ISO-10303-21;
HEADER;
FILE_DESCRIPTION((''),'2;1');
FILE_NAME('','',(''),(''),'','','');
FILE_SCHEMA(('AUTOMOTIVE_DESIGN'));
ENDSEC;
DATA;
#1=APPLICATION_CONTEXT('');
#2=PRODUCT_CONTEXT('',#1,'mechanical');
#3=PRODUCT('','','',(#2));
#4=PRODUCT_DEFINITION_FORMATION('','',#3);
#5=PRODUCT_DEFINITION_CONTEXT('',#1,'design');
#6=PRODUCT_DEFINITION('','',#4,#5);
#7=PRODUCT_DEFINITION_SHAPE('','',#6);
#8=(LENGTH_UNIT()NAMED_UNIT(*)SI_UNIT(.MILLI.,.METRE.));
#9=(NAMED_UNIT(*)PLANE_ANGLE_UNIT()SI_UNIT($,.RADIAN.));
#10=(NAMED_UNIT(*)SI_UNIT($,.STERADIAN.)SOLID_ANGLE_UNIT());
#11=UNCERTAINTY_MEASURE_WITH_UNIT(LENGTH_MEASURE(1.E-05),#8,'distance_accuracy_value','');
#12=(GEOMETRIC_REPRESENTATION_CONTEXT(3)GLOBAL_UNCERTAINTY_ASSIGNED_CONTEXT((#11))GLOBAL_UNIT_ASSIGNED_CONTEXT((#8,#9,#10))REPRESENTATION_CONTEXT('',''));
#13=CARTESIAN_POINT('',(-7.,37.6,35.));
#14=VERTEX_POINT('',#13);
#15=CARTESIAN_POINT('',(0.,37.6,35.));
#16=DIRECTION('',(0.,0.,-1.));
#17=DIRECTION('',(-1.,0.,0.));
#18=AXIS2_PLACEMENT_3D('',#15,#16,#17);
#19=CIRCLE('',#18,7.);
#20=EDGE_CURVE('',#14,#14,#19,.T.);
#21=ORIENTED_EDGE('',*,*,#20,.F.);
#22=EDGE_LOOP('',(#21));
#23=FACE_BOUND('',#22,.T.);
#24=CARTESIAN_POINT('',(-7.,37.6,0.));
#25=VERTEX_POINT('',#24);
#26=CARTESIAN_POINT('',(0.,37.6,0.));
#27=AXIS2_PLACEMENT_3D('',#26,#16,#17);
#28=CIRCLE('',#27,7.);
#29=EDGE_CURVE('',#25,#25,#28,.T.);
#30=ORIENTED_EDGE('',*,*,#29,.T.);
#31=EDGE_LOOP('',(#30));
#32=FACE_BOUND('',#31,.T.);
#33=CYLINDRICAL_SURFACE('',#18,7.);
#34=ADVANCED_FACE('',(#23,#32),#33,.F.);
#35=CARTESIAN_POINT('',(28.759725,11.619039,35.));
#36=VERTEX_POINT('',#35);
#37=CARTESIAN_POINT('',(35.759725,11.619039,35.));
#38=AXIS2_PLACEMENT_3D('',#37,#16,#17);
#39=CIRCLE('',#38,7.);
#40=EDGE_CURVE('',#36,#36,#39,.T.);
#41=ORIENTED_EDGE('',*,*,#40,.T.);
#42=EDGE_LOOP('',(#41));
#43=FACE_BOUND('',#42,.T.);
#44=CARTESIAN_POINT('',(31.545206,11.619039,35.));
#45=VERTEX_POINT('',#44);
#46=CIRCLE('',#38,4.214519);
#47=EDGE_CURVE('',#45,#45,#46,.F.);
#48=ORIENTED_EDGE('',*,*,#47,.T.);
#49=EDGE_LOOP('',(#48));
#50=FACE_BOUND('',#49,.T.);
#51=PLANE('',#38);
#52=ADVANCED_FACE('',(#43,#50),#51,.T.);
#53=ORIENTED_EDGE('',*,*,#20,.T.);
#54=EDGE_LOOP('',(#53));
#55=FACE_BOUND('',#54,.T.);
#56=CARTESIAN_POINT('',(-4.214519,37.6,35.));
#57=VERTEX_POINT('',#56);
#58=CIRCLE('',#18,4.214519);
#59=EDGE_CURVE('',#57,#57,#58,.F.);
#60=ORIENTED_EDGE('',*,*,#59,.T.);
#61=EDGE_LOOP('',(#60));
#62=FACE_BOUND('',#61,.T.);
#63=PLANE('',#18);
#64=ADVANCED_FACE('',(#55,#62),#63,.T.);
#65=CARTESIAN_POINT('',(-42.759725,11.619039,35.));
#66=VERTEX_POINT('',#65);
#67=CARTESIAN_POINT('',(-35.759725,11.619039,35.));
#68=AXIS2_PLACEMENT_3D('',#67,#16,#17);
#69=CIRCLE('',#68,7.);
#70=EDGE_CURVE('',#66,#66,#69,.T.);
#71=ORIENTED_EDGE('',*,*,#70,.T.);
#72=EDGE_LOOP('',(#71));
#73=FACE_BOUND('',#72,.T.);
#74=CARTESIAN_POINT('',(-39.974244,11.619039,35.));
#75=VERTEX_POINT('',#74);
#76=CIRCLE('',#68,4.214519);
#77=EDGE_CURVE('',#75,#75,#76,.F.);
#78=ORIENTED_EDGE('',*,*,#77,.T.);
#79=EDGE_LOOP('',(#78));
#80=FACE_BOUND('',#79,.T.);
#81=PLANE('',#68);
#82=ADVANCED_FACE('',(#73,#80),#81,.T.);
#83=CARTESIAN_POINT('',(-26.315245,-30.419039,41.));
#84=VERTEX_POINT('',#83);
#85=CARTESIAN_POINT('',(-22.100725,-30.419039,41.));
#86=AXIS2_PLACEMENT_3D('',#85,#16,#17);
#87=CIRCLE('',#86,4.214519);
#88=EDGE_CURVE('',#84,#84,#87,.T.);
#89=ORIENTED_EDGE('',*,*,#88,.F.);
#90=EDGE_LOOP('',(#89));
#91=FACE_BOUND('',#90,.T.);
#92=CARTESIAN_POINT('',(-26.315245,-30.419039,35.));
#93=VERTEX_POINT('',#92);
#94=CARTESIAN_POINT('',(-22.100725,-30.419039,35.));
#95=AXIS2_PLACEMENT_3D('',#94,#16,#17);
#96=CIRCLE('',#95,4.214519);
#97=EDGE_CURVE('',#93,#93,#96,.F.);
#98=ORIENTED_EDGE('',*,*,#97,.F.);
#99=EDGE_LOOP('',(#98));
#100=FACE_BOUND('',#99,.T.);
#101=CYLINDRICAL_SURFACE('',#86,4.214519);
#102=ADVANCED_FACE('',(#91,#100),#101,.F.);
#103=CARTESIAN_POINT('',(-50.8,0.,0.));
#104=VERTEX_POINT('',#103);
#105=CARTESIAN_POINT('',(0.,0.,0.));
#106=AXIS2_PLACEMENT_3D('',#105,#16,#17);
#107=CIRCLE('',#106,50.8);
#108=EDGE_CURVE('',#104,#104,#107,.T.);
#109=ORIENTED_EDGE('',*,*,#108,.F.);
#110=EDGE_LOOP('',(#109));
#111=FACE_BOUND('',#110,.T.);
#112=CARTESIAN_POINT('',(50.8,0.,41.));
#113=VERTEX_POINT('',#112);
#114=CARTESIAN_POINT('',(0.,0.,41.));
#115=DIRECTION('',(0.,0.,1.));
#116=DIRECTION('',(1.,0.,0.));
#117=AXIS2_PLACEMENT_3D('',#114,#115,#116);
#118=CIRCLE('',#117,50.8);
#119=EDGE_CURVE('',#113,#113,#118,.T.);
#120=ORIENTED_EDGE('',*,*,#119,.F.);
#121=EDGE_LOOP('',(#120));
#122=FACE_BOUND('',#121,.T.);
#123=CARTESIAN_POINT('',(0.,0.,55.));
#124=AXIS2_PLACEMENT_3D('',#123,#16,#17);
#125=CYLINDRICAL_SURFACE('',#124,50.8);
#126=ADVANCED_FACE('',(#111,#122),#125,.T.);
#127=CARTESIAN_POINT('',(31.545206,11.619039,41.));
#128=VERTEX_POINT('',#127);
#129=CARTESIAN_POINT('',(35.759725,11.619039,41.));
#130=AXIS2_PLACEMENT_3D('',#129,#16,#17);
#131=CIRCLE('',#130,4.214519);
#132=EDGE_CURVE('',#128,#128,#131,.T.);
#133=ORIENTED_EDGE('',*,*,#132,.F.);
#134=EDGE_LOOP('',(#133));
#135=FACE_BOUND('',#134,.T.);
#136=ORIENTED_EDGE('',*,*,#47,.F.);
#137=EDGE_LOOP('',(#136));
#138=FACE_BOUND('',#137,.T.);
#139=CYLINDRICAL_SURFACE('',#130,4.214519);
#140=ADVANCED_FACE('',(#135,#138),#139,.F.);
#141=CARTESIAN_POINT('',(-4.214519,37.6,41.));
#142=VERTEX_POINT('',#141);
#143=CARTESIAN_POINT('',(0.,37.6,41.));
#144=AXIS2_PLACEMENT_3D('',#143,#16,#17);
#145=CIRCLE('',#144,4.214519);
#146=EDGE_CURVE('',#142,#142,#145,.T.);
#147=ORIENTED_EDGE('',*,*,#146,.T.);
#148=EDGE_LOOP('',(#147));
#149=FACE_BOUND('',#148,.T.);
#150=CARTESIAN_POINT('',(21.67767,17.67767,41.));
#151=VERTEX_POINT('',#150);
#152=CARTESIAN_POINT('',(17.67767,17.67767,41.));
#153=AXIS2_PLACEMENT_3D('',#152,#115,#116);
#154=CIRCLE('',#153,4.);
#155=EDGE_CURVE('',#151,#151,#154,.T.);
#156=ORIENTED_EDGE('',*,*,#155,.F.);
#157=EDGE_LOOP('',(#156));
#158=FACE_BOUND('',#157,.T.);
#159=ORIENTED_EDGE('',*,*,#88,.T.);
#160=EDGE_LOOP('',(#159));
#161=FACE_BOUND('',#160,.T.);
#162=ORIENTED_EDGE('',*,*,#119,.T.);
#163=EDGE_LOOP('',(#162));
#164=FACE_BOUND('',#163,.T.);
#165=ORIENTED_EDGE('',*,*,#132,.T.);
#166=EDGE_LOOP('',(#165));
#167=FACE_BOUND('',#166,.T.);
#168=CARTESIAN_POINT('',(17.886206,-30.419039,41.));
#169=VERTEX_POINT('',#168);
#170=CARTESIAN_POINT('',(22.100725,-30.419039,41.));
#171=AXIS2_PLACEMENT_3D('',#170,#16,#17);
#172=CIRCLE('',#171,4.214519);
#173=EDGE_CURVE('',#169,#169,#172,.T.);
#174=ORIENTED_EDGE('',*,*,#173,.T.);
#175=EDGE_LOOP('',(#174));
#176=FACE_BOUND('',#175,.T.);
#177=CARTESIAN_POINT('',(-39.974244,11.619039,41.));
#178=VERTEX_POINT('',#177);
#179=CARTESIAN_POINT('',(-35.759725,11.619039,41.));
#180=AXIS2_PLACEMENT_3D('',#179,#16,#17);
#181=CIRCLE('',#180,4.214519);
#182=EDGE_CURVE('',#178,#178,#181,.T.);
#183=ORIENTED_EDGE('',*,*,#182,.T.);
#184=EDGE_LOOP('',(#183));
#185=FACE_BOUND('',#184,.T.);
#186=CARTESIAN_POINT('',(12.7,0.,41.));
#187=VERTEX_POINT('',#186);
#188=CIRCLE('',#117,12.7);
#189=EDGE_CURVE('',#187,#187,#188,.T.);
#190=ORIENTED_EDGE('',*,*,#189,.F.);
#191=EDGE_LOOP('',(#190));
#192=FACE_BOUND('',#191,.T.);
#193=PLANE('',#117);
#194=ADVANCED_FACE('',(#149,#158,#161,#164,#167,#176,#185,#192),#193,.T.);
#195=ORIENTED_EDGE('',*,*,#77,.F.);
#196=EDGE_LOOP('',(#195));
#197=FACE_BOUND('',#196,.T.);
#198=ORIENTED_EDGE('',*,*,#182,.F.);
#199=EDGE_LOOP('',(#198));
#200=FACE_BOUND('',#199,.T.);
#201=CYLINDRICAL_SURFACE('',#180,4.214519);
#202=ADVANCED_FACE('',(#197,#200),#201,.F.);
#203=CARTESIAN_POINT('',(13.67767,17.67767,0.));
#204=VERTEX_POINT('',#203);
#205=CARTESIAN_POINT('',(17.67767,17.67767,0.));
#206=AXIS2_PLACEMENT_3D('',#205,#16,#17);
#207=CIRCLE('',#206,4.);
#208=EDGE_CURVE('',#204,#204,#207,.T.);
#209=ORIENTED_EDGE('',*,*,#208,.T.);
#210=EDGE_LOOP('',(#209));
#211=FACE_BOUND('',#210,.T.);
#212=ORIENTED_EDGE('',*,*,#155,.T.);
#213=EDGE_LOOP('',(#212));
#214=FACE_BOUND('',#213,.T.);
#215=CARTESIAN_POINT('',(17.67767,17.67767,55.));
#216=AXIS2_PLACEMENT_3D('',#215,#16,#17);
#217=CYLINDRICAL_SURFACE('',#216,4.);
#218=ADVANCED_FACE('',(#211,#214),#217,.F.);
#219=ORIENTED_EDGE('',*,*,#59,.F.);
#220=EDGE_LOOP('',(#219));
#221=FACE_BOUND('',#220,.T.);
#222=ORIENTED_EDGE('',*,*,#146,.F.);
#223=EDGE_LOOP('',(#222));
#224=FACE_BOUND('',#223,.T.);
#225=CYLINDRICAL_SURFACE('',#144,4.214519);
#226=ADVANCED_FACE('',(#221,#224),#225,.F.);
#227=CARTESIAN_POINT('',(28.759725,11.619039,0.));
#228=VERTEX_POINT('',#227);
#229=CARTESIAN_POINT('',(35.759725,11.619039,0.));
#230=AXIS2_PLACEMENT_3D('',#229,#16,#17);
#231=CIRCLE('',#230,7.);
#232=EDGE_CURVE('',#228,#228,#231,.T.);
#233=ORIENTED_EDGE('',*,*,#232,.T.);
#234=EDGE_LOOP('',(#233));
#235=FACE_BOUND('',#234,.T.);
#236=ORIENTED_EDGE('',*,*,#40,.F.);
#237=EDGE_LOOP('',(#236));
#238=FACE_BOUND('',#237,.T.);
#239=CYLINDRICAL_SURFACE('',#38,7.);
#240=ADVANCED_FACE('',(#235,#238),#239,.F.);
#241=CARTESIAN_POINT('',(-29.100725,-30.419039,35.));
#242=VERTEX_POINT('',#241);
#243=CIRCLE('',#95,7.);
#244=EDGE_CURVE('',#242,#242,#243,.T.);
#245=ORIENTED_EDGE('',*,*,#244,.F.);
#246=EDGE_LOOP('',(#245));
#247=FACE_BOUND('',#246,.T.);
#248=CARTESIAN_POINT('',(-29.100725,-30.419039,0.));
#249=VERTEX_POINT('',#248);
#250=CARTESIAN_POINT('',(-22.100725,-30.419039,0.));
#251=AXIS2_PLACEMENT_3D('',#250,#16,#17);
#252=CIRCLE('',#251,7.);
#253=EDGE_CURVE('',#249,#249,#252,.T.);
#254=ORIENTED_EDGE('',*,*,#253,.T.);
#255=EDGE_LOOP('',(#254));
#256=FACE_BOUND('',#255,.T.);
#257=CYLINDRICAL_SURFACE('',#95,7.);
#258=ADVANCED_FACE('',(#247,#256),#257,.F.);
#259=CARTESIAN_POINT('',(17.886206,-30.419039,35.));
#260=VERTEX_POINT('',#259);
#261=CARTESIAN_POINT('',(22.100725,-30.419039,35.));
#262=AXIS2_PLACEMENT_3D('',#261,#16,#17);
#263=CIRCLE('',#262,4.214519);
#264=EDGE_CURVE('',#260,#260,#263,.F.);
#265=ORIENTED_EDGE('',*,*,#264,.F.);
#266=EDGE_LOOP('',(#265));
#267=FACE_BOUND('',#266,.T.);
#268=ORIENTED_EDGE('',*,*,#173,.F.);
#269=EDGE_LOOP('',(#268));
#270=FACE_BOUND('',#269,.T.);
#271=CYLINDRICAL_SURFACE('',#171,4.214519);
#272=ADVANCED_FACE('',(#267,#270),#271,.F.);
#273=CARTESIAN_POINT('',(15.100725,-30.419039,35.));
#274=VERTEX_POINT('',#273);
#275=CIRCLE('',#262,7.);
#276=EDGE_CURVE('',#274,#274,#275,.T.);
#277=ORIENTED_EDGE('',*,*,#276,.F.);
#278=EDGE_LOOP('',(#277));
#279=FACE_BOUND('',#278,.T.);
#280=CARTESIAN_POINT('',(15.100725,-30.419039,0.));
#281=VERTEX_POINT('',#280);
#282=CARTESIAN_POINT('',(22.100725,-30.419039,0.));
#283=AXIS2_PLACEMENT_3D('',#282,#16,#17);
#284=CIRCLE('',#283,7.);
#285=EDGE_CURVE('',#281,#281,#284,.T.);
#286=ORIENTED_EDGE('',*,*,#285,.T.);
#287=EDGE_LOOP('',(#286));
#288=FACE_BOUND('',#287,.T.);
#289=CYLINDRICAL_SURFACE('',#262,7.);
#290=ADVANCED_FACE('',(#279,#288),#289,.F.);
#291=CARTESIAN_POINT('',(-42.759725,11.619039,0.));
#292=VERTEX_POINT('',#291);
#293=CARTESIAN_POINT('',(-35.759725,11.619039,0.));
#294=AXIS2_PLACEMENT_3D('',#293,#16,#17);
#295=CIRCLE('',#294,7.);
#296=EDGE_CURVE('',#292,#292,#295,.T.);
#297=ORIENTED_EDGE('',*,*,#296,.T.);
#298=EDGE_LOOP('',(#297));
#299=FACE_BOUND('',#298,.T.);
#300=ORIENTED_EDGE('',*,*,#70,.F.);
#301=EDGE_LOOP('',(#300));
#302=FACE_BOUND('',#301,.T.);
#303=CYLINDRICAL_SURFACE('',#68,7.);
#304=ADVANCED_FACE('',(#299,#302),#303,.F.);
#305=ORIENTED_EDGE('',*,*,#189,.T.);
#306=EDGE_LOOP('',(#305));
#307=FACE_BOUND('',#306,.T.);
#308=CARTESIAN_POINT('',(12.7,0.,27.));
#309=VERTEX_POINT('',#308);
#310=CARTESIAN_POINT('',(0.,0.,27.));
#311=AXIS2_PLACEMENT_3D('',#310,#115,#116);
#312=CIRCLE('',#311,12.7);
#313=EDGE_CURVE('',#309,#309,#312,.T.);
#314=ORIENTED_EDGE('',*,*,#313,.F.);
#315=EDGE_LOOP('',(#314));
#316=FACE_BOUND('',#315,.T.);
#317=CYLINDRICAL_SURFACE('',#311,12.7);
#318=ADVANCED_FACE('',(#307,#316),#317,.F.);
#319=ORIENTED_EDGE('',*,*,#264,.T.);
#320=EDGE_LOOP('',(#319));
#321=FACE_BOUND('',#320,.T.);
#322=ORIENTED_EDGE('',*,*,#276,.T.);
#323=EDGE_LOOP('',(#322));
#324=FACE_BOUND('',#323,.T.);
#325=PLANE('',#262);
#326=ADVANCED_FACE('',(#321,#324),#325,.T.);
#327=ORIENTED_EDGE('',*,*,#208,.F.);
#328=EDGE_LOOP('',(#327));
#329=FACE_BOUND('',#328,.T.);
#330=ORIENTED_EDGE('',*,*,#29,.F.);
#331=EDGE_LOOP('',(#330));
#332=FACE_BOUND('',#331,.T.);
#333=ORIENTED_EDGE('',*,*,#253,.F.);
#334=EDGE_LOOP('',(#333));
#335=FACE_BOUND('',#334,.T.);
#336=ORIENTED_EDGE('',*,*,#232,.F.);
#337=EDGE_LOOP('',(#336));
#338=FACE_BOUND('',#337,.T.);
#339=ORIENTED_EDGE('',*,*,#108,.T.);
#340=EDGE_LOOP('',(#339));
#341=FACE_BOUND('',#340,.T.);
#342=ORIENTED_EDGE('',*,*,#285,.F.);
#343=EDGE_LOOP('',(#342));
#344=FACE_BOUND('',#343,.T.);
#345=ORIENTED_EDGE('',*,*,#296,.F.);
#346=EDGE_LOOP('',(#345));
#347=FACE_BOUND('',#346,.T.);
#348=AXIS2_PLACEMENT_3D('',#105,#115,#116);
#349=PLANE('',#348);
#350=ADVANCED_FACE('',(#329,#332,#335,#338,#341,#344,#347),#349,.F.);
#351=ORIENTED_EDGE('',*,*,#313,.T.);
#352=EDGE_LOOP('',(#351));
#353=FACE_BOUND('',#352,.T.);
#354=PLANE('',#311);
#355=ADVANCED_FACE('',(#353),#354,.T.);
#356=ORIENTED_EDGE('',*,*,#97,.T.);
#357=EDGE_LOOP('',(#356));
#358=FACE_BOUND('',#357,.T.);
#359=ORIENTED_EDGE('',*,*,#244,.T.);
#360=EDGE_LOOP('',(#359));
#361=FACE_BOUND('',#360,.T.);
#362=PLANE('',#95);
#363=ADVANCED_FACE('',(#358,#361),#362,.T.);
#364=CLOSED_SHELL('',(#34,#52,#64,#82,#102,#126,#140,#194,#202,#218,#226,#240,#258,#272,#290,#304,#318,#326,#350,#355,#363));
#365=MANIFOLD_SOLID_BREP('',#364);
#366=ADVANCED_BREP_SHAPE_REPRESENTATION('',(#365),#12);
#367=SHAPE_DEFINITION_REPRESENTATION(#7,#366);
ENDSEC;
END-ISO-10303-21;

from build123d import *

# Parameters (mm, degrees)
SKETCH1_W           = 119
SKETCH1_H           = 114
BOSS_EXTRUDE1_DEPTH = 41
SKETCH4_R           = 4.214519236
CUT_EXTRUDE1_DEPTH  = 41
SKETCH7_R           = 7
CUT_EXTRUDE2_DEPTH  = 35
SKETCH8_R           = 4
CUT_EXTRUDE3_DEPTH  = 55
SKETCH9_R           = 12.7
CUT_EXTRUDE4_DEPTH  = 14
SKETCH10_OUTSIDE_W  = 154.964
SKETCH10_OUTSIDE_H  = 149.964
SKETCH10_OUTSIDE_R  = 50.8
CUT_EXTRUDE5_DEPTH  = 55


with BuildPart() as part:
    # Sketch1 → Boss-Extrude1 (new body)
    with BuildSketch(Plane.XY):
        Rectangle(SKETCH1_W, SKETCH1_H)
    extrude(amount=BOSS_EXTRUDE1_DEPTH)

    # Sketch4 → Cut-Extrude1 (cut)
    with BuildSketch(Plane(origin=(0, 0, 0), x_dir=(-1, 0, 0), z_dir=(0, 0, -1))):
        with Locations((0, 37.6)):
            Circle(SKETCH4_R)
        with Locations((35.759725013, 11.619038988)):
            Circle(SKETCH4_R)
        with Locations((22.100725486, -30.419038988)):
            Circle(SKETCH4_R)
        with Locations((-22.100725486, -30.419038988)):
            Circle(SKETCH4_R)
        with Locations((-35.759725013, 11.619038988)):
            Circle(SKETCH4_R)
    extrude(amount=-CUT_EXTRUDE1_DEPTH, mode=Mode.SUBTRACT)

    # Sketch7 → Cut-Extrude2 (cut)
    with BuildSketch(Plane(origin=(0, 0, 0), x_dir=(-1, 0, 0), z_dir=(0, 0, -1))):
        with Locations((0, 37.6)):
            Circle(SKETCH7_R)
        with Locations((35.759725013, 11.619038988)):
            Circle(SKETCH7_R)
        with Locations((22.100725486, -30.419038988)):
            Circle(SKETCH7_R)
        with Locations((-22.100725486, -30.419038988)):
            Circle(SKETCH7_R)
        with Locations((-35.759725013, 11.619038988)):
            Circle(SKETCH7_R)
    extrude(amount=-CUT_EXTRUDE2_DEPTH, mode=Mode.SUBTRACT)

    # Sketch8 → Cut-Extrude3 (cut)
    with BuildSketch(Plane(origin=(0, 0, 0), x_dir=(-1, 0, 0), z_dir=(0, 0, -1))):
        with Locations((-17.67766953, 17.67766953)):
            Circle(SKETCH8_R)
    extrude(amount=-CUT_EXTRUDE3_DEPTH, mode=Mode.SUBTRACT)

    # Sketch9 → Cut-Extrude4 (cut)
    with BuildSketch(Plane.XY.offset(41)):
        Circle(SKETCH9_R)
    extrude(amount=-CUT_EXTRUDE4_DEPTH, mode=Mode.SUBTRACT)

    # Sketch10 outside → Cut-Extrude5 (cut)
    with BuildSketch(Plane(origin=(0, 0, 0), x_dir=(-1, 0, 0), z_dir=(0, 0, -1))):
        Rectangle(SKETCH10_OUTSIDE_W, SKETCH10_OUTSIDE_H)
        Circle(SKETCH10_OUTSIDE_R, mode=Mode.SUBTRACT)
    extrude(amount=-CUT_EXTRUDE5_DEPTH, mode=Mode.SUBTRACT)


solid = part.part
